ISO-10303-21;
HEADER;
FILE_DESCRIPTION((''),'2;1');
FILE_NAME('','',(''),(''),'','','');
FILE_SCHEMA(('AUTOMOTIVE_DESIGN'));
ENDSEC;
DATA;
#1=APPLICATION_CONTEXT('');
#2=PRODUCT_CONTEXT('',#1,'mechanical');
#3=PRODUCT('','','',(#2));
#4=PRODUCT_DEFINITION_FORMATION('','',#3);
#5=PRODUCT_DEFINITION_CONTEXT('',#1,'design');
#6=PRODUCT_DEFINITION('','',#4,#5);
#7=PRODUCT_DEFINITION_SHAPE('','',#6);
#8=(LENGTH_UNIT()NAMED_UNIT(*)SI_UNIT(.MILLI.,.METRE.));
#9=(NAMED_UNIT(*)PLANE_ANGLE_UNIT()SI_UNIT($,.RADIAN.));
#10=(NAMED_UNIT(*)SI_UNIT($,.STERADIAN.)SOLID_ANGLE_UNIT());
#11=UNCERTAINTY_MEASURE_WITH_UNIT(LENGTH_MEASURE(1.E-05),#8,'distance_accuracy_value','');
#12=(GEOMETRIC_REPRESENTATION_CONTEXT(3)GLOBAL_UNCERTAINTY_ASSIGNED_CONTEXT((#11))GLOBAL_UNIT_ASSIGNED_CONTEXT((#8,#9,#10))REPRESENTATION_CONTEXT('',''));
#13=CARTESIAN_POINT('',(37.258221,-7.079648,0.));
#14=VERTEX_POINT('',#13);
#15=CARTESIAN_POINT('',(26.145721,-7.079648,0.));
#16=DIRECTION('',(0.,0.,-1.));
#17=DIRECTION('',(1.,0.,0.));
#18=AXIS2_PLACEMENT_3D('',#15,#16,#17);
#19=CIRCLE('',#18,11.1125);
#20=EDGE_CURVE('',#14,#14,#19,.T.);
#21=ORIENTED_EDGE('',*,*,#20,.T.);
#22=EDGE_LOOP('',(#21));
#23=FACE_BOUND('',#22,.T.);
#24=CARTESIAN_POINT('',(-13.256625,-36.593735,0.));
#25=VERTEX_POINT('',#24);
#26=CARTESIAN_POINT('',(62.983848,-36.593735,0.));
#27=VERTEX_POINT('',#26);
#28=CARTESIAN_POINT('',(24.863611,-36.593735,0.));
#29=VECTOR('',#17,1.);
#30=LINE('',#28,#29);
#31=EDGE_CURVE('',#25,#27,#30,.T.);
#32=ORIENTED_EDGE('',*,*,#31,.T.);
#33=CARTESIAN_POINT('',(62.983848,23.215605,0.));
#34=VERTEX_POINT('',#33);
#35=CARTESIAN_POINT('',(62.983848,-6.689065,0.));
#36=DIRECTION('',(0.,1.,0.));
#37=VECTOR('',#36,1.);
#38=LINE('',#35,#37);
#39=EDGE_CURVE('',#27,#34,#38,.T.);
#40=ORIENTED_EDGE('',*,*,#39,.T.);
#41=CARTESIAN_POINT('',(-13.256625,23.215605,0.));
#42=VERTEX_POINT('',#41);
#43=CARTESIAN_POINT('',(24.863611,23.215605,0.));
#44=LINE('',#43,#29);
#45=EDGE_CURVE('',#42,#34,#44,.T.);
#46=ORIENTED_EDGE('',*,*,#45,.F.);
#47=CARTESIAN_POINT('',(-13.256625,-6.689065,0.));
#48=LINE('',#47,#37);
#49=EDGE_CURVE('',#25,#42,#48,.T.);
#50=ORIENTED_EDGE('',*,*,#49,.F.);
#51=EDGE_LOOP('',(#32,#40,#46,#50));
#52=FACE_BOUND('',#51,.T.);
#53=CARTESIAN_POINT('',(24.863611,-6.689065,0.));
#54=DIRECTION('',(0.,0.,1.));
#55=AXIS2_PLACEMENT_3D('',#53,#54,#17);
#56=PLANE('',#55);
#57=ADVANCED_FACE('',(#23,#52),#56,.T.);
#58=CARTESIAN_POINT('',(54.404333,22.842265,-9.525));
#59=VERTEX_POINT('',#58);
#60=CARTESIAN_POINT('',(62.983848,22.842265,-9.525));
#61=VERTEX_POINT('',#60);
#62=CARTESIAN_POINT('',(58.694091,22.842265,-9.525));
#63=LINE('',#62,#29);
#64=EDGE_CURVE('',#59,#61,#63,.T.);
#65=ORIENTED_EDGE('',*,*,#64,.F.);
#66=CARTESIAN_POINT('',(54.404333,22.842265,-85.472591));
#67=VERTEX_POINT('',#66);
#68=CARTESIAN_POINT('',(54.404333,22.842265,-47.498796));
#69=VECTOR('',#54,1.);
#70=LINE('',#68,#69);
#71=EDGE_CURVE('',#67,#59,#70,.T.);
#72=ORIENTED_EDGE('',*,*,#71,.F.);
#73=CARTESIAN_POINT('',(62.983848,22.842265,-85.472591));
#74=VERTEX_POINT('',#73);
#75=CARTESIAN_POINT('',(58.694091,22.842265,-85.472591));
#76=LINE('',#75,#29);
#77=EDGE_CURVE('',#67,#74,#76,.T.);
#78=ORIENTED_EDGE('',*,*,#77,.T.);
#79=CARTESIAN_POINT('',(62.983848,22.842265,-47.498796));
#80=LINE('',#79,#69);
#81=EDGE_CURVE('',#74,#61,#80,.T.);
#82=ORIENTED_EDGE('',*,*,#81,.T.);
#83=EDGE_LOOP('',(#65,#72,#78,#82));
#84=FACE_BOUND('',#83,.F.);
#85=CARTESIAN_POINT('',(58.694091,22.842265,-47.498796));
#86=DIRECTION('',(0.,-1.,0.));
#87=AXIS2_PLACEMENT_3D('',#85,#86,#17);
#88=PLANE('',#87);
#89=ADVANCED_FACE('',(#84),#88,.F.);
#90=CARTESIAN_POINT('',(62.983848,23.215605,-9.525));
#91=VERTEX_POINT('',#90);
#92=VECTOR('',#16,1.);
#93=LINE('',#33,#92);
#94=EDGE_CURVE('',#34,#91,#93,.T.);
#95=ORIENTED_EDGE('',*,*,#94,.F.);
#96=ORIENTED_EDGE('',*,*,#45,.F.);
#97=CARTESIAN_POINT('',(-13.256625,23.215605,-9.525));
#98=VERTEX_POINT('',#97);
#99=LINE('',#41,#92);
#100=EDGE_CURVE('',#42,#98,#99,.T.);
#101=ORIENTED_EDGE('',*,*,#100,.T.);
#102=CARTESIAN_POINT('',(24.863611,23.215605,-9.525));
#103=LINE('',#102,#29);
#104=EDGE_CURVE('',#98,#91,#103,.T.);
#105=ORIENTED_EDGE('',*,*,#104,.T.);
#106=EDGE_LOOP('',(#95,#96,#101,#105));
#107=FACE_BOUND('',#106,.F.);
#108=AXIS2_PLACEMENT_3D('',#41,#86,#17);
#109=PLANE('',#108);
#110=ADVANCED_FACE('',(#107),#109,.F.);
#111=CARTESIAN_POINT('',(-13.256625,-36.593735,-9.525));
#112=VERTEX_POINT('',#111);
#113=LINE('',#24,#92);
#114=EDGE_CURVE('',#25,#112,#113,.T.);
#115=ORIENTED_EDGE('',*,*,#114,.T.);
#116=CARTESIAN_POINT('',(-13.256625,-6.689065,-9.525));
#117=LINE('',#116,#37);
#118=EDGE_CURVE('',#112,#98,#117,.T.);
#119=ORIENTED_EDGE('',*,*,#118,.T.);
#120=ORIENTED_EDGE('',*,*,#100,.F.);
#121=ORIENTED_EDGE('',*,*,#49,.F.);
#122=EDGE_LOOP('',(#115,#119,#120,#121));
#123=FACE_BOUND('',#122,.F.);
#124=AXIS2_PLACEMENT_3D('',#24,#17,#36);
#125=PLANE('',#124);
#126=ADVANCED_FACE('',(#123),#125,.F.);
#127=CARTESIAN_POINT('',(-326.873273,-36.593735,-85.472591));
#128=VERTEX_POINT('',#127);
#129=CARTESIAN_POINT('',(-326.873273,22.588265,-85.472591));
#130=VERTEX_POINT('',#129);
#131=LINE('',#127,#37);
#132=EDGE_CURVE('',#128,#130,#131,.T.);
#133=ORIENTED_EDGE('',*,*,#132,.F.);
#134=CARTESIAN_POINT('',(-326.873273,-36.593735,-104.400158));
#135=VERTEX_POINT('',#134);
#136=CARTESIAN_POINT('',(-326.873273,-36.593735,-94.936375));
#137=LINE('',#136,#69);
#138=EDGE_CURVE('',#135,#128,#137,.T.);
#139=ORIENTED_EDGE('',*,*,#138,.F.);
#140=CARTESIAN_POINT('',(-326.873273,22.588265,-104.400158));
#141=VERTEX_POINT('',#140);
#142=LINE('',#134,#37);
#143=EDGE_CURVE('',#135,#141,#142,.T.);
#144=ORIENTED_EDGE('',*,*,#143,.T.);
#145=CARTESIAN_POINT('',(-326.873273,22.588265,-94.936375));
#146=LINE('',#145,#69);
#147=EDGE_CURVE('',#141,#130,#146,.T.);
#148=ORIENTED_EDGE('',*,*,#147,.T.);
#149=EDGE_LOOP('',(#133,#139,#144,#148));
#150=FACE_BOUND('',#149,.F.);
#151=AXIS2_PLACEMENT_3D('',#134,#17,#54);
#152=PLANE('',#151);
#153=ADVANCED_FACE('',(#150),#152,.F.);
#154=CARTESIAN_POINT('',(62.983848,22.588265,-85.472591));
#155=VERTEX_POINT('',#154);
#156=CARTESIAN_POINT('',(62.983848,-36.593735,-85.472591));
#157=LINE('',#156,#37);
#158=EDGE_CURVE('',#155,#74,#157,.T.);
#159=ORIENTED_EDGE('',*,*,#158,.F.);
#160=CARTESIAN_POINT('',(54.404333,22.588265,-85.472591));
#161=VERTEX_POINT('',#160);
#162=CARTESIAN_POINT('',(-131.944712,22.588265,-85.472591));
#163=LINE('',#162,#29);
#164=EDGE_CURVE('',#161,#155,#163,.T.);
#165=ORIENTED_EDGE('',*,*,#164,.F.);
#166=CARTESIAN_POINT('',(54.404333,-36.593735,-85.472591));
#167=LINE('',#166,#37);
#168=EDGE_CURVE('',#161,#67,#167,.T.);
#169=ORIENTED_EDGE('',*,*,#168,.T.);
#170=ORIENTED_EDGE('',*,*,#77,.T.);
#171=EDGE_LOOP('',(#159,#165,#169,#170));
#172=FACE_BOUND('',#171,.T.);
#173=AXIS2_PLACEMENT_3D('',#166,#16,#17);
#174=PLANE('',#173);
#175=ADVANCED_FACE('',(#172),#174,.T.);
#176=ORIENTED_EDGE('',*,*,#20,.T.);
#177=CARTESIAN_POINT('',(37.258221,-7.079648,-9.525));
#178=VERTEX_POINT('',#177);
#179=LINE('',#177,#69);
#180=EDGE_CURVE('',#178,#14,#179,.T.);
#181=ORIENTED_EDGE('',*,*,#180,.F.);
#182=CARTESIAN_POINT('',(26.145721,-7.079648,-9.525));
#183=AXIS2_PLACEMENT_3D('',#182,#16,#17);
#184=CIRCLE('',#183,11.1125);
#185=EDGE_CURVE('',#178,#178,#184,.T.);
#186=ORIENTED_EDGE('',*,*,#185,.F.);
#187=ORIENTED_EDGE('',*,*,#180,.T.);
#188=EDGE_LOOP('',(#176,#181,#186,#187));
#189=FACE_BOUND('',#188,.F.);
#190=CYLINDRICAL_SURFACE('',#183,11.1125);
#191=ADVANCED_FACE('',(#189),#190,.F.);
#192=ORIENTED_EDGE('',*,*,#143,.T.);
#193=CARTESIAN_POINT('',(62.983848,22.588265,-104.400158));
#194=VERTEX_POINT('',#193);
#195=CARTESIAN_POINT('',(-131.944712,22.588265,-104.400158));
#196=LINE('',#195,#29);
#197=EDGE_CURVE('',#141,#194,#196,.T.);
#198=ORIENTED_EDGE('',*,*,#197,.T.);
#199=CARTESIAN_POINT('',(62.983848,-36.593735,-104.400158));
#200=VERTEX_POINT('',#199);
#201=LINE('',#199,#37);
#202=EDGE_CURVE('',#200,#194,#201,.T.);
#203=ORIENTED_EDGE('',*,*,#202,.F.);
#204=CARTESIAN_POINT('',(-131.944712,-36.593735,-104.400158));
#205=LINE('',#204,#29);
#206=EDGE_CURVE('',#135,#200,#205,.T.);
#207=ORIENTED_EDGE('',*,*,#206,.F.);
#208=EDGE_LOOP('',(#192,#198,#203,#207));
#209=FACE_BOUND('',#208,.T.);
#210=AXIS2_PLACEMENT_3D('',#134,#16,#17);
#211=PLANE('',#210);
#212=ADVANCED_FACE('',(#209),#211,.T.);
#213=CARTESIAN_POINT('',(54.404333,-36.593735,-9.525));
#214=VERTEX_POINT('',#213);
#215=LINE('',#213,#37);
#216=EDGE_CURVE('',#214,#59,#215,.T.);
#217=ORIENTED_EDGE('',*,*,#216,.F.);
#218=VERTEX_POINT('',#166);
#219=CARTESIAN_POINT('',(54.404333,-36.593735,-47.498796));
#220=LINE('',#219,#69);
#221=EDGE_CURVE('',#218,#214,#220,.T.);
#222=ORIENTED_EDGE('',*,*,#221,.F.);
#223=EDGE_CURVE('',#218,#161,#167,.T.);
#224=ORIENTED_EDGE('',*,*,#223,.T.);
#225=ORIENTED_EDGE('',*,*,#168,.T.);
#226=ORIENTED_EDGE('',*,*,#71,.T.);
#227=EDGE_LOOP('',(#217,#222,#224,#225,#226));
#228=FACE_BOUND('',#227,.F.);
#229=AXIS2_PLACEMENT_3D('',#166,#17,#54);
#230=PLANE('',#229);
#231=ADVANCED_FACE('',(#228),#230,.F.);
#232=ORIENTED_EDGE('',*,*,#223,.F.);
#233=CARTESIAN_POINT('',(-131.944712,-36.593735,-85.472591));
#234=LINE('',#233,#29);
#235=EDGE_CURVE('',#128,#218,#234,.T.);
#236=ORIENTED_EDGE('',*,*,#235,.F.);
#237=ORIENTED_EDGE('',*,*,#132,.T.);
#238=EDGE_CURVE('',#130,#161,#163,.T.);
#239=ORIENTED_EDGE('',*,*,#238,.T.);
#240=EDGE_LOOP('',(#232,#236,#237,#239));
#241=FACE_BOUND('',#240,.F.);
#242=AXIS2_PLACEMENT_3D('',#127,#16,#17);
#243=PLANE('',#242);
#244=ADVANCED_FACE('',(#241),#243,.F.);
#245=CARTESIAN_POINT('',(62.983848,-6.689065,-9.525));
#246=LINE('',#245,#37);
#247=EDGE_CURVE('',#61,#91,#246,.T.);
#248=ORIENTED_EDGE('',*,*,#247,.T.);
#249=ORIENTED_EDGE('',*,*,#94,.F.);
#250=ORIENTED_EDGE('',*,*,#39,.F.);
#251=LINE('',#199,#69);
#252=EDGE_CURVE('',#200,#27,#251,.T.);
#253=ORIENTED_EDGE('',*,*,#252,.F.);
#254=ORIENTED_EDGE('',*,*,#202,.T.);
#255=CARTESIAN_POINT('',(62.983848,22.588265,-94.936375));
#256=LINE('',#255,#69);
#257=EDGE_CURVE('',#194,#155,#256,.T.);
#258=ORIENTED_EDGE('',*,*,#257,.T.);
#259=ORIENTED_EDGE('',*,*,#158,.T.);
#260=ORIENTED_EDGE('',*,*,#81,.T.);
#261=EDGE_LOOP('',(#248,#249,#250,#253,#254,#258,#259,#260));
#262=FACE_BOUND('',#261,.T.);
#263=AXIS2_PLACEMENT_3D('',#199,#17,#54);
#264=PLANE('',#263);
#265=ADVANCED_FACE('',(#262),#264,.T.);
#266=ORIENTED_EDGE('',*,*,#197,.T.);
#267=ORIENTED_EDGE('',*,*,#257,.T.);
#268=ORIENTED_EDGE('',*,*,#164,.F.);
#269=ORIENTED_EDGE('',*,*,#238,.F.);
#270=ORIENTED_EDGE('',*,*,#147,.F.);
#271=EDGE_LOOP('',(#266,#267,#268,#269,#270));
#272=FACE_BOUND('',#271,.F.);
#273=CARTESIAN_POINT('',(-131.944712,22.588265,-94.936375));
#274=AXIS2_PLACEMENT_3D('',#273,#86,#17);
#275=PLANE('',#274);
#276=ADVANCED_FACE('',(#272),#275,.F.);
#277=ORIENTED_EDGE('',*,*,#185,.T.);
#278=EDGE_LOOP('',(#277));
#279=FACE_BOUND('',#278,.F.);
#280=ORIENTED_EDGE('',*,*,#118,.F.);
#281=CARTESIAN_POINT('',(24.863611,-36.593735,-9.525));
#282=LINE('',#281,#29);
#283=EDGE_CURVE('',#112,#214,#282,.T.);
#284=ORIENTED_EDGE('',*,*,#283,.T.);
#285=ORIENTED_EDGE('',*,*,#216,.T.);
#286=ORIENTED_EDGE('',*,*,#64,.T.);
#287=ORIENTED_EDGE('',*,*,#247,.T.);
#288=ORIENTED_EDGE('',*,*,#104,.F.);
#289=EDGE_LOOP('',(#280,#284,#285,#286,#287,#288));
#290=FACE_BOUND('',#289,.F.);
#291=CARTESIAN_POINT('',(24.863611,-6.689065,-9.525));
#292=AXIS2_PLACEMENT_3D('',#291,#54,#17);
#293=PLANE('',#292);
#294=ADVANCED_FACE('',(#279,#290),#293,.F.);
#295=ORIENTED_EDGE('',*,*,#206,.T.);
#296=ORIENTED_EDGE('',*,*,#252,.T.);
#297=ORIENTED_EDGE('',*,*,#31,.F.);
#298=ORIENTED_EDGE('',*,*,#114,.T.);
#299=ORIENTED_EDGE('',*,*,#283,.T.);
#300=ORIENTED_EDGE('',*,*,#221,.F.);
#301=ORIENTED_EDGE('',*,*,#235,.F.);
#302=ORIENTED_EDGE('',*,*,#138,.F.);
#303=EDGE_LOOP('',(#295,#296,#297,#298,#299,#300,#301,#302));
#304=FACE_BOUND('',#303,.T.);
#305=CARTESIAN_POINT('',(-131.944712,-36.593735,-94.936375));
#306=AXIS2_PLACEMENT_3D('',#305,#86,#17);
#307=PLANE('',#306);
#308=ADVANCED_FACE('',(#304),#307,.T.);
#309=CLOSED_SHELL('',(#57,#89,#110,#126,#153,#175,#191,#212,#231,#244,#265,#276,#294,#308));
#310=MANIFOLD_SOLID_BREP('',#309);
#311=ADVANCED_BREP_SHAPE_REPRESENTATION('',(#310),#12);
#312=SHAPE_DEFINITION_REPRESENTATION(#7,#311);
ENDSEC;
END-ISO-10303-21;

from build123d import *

# Parameters (mm, degrees)
F0_W     = 76.2404734269
F0_H     = 59.8093401641
F1_DEPTH = 9.525
F2_W     = 8.5795149207
F2_H     = 75.9475912213
F3_DEPTH = 59.436
F4_W     = 389.8571208119
F4_H     = 18.9275667071
F5_DEPTH = 59.182
F7_D     = 22.225
F7_DEPTH = 9.526


with BuildPart() as f1:
    # F0 (on Top) → F1 (new body)
    with BuildSketch(Plane.XY):
        with Locations((24.8636114411, -6.689065136)):
            Rectangle(F0_W, F0_H)
    extrude(amount=-F1_DEPTH)

    # F2 (on face) → F3 (join)
    with BuildSketch(Plane.XZ.offset(36.593735218)):
        with Locations((58.6940906942, -47.4987956107)):
            Rectangle(F2_W, F2_H)
    extrude(amount=-F3_DEPTH)

    # F4 (on face) → F5 (join)
    with BuildSketch(Plane.XZ.offset(36.593735218)):
        with Locations((-131.9447122514, -94.9363745749)):
            Rectangle(F4_W, F4_H)
    extrude(amount=-F5_DEPTH)

    # F7 (through all, one way)
    with BuildSketch(Plane(origin=(0, 0, -9.525), x_dir=(1, 0, 0), z_dir=(0, 0, -1))):
        with Locations((26.1457208544, 7.0796483196)):
            Circle(F7_D / 2)
    extrude(amount=-F7_DEPTH, mode=Mode.SUBTRACT)


solid = f1.part
